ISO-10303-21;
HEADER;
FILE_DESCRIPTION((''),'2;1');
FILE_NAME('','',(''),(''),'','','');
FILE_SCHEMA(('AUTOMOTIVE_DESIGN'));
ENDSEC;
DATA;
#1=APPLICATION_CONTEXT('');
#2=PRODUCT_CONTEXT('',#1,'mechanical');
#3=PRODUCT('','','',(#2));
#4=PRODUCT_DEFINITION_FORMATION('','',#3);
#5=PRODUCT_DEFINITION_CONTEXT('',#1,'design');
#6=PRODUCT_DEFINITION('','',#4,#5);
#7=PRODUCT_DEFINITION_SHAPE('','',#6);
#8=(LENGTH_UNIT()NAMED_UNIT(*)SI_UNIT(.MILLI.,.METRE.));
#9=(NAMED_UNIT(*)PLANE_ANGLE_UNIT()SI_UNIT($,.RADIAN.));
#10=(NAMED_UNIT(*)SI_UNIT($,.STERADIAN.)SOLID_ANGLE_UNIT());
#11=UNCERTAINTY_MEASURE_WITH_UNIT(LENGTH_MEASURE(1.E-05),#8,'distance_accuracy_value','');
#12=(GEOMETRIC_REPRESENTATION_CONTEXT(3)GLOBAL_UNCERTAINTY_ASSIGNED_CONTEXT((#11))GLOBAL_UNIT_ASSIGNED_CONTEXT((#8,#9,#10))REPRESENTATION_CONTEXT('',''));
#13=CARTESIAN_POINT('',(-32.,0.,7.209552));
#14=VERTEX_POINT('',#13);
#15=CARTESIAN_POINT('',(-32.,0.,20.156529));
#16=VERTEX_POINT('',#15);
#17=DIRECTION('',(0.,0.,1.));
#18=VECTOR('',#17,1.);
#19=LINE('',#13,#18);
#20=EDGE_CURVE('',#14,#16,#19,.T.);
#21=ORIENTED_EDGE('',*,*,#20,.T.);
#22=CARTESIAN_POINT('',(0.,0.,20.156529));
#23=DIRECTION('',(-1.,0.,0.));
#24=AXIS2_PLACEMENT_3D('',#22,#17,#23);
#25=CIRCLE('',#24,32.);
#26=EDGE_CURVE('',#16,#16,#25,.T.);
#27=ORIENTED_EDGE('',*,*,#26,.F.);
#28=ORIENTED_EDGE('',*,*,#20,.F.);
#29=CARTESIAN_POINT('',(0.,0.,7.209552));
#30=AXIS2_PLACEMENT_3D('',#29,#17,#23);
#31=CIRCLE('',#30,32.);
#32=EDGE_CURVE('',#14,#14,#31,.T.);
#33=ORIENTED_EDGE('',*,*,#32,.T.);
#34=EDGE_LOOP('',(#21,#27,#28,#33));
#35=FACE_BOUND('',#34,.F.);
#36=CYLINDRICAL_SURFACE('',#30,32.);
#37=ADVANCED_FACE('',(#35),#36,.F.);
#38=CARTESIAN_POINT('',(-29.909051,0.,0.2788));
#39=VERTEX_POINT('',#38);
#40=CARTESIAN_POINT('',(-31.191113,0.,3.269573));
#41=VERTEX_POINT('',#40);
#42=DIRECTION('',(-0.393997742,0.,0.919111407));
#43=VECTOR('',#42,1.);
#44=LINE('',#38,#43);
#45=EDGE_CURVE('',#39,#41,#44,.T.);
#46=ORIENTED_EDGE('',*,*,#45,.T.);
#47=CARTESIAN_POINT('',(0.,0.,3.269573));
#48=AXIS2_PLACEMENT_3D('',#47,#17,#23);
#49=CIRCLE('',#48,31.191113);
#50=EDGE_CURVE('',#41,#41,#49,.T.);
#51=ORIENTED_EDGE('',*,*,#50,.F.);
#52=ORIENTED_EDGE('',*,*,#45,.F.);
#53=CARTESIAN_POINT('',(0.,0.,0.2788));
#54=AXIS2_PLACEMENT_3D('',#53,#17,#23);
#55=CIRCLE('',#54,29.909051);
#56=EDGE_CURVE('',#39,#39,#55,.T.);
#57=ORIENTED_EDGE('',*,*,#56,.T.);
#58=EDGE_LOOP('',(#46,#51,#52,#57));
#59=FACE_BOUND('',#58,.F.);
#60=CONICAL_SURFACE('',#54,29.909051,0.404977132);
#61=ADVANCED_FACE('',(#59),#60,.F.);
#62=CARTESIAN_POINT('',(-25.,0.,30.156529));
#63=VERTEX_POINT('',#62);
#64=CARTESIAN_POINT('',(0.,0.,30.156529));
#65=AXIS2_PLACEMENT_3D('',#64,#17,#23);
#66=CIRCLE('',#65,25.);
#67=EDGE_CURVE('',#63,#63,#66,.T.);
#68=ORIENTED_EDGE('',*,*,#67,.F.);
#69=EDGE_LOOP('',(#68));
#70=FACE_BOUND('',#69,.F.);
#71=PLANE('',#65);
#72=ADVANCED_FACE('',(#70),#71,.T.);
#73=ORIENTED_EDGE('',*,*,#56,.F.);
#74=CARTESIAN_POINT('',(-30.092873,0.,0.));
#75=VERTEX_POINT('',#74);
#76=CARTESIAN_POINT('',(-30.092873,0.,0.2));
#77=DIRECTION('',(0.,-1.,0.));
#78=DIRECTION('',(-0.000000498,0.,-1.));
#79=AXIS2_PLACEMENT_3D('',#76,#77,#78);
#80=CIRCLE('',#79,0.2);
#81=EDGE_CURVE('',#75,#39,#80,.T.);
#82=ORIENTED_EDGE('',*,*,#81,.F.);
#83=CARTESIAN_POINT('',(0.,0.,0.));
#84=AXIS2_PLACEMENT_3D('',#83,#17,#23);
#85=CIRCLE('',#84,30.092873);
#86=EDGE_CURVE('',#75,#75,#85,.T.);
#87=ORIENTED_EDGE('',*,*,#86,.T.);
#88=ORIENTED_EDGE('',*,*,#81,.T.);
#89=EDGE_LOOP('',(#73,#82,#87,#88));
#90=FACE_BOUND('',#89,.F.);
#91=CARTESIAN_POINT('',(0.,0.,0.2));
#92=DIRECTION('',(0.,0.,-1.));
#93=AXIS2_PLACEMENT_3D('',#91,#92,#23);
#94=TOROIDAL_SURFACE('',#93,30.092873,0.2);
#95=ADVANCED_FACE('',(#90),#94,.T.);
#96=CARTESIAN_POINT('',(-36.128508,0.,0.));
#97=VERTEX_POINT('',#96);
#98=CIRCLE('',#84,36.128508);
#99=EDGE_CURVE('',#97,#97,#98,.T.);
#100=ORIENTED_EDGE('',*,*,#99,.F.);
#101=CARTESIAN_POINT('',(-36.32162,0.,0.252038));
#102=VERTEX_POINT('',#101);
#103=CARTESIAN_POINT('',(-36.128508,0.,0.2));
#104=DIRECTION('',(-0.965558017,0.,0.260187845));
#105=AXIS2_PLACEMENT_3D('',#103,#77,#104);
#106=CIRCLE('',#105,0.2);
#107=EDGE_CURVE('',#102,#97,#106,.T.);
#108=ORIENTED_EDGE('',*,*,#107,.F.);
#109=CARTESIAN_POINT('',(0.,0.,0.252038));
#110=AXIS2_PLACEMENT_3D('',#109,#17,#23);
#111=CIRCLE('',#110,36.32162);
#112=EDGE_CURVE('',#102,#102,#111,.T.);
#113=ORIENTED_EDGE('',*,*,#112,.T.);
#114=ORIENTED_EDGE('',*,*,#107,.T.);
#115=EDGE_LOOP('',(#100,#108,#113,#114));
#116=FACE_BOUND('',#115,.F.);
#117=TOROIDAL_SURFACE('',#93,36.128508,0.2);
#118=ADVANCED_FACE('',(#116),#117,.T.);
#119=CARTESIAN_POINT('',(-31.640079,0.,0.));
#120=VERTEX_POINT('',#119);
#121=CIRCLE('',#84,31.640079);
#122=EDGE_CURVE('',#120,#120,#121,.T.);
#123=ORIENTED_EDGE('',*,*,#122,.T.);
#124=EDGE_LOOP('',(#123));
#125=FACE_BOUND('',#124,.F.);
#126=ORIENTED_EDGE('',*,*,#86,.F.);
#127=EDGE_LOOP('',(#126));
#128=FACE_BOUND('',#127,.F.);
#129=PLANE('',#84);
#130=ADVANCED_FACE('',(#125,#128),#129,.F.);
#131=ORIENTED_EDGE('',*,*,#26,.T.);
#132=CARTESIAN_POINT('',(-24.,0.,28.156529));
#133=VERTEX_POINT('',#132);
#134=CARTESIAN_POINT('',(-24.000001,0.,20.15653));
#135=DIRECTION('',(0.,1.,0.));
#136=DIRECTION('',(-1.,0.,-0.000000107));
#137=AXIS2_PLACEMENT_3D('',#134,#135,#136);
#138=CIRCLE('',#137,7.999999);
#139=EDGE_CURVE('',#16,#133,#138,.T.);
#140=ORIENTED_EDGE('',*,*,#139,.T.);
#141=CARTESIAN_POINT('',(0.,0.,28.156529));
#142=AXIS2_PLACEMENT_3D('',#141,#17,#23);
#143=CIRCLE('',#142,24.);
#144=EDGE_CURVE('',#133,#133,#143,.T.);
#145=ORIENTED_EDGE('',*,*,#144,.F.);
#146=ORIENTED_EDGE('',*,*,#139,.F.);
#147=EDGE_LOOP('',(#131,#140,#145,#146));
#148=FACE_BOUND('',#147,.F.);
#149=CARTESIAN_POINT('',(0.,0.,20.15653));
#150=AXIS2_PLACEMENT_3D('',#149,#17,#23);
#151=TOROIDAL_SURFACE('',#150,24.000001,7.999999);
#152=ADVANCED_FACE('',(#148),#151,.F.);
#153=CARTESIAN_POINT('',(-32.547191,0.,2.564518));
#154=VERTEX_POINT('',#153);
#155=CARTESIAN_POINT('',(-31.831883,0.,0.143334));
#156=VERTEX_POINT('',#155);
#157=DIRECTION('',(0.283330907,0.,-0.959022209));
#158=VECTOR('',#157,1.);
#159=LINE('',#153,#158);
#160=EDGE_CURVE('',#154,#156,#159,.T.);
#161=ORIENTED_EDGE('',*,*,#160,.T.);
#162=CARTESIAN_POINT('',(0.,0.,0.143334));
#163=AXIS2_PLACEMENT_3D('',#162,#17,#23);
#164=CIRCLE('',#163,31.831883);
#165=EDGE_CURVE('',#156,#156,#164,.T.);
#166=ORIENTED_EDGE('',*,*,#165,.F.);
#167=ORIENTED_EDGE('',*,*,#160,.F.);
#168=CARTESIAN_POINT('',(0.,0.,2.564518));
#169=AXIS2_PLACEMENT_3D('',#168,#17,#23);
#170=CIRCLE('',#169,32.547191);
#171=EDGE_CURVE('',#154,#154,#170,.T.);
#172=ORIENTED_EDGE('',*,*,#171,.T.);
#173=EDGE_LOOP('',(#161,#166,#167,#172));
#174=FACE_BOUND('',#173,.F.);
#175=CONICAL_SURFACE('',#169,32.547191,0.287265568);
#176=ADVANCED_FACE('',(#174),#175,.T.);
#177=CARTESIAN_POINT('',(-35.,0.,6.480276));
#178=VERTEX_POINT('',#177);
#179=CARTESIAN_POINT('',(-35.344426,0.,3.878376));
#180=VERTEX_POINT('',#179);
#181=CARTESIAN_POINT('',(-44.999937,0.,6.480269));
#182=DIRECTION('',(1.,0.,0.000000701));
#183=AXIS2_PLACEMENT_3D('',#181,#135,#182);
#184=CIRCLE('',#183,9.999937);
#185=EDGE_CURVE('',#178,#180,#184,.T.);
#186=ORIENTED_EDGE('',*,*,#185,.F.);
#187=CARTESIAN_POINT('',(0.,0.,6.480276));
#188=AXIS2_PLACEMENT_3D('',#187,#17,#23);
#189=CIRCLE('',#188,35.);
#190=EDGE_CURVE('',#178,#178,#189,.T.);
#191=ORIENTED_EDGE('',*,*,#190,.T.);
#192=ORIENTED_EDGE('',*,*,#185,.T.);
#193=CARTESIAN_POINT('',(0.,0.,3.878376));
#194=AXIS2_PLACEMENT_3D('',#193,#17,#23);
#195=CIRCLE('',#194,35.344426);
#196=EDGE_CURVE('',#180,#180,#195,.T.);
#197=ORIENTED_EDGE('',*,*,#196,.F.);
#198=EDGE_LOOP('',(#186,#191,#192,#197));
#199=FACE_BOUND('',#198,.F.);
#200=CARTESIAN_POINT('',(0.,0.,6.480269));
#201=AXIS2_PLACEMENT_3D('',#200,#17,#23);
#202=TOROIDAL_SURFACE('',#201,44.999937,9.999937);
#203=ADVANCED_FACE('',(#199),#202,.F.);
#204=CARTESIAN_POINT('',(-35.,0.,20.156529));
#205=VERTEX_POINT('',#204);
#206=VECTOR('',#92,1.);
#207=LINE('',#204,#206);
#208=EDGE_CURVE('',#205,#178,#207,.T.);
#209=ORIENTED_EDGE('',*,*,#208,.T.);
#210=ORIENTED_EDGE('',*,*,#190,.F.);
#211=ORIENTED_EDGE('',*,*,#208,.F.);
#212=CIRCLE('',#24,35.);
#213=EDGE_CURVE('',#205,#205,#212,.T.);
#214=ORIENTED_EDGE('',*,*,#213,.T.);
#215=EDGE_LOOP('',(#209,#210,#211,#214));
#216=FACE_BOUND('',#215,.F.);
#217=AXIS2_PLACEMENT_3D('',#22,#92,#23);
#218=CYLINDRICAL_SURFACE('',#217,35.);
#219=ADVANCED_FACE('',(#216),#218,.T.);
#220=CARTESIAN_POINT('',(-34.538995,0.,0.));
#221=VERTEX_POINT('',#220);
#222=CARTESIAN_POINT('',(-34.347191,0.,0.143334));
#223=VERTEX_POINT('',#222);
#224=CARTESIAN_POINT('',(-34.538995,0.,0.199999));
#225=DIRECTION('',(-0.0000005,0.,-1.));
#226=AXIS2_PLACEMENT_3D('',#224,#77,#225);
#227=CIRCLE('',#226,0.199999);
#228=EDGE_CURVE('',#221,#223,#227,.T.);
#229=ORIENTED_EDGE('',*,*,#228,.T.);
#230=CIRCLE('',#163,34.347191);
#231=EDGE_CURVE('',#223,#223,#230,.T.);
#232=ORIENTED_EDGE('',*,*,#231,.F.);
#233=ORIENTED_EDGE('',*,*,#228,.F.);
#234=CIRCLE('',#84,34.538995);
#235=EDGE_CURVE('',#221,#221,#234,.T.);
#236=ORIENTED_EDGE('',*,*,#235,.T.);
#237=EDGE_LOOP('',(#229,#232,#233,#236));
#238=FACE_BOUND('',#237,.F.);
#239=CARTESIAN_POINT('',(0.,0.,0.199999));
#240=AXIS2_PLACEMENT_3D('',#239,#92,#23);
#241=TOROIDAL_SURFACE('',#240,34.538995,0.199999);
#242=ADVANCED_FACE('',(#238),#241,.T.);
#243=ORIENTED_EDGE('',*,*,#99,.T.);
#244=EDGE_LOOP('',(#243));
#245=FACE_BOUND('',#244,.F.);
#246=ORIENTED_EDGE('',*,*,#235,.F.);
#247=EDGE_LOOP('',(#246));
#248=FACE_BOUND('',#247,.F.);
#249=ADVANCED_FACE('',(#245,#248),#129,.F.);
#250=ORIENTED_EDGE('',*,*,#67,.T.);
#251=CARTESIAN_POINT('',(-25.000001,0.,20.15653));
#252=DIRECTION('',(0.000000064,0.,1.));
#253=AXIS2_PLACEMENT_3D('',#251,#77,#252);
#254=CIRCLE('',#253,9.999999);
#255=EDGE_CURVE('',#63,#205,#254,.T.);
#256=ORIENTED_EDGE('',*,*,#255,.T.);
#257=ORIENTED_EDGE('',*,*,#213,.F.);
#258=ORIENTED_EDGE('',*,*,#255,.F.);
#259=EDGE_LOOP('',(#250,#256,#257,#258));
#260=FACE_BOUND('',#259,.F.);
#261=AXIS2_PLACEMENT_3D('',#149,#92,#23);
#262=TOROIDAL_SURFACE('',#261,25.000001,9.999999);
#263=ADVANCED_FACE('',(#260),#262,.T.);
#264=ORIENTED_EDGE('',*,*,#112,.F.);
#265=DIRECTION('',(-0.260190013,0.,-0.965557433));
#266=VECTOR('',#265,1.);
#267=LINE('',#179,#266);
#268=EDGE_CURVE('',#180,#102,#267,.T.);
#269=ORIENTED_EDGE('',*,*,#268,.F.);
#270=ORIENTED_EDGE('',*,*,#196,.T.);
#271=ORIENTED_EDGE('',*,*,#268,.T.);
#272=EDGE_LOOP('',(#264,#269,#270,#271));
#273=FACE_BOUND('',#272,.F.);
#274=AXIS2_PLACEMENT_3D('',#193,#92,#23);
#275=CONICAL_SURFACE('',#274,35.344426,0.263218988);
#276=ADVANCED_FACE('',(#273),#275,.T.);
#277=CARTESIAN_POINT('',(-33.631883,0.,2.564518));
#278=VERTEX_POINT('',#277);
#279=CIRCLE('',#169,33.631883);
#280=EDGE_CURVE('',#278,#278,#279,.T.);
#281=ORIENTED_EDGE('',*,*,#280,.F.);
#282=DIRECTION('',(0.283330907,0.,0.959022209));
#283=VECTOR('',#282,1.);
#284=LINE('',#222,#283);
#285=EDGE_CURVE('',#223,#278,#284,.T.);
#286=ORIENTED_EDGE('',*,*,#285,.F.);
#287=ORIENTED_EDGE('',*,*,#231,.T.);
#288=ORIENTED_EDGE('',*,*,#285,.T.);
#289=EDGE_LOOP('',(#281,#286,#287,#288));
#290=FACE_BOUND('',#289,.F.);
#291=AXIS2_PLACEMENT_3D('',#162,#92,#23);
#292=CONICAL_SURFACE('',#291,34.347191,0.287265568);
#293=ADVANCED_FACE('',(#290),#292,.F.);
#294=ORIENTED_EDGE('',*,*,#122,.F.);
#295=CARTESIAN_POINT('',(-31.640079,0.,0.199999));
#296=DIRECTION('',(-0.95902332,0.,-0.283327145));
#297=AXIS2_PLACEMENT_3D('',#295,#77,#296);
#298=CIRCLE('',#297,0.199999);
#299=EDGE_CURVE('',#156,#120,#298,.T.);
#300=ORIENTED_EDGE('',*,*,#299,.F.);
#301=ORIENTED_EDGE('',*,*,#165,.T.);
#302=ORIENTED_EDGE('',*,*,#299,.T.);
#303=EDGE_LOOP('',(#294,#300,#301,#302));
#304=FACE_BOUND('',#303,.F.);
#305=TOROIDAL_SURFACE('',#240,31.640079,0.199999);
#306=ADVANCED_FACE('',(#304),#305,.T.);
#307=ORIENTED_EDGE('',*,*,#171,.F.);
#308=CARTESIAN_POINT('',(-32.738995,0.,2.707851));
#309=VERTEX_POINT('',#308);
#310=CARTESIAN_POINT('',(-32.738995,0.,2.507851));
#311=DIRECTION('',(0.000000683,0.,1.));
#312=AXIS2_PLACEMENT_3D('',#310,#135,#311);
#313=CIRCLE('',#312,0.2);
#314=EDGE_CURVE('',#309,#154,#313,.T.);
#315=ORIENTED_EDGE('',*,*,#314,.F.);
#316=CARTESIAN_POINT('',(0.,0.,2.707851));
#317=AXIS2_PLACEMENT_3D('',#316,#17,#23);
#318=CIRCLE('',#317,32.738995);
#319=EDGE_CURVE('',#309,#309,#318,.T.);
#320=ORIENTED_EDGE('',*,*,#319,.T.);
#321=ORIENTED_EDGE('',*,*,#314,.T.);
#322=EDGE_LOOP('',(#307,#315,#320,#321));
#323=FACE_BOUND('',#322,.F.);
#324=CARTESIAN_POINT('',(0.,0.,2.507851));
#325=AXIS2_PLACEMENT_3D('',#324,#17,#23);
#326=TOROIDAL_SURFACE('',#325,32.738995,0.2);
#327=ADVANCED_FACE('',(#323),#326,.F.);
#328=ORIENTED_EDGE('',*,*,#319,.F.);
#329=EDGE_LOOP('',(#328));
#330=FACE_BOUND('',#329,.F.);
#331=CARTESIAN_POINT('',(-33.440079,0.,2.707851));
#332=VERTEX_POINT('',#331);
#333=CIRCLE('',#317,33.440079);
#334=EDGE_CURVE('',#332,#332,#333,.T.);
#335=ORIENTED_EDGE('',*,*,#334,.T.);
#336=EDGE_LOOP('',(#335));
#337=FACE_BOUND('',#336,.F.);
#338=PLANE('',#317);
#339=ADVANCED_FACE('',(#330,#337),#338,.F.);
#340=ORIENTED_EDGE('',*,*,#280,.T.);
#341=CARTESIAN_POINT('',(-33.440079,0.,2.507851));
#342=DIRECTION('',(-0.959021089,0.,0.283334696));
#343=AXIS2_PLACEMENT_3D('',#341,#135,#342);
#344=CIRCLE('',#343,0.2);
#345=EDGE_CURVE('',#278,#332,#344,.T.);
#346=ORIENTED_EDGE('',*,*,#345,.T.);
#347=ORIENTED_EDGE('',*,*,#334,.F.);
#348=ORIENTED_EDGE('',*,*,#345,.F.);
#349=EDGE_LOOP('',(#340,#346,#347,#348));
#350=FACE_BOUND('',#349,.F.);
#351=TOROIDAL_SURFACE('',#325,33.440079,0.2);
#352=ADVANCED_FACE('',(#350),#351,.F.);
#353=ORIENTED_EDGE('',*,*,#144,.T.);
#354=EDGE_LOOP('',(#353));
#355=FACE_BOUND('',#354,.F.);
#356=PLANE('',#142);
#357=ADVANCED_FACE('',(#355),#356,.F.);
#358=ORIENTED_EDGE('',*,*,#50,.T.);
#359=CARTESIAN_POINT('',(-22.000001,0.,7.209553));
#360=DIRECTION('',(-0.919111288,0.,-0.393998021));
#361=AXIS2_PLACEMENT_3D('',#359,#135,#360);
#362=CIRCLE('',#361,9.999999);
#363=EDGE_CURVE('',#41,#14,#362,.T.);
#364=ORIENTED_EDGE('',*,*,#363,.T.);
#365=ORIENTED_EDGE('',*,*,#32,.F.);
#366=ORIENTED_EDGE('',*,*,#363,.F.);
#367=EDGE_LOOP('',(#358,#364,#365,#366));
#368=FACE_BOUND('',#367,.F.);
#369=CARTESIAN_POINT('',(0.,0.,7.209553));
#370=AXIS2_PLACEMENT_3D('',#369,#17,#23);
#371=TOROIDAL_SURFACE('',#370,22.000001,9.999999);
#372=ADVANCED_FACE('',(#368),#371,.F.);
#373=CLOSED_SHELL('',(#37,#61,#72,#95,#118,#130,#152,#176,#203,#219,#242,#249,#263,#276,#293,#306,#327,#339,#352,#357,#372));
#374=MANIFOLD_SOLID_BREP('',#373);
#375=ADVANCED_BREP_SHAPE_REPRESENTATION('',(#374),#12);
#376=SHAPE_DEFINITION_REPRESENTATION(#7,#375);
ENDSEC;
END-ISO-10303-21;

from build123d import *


with BuildPart() as f2:
    # F0 (on Front) → F2 (revolve)
    with BuildSketch(Plane.XZ):
        with BuildLine():
            Line((-24, 28.156529), (0, 28.156529))
            Line((0, 28.156529), (0, 30.156529))
            Line((0, 30.156529), (-25, 30.156529))
            ThreePointArc((-25, 30.156529), (-32.071068, 27.227597), (-35, 20.156529))
            Line((-35, 20.156529), (-35, 6.480276))
            ThreePointArc((-35, 6.480276), (-35.08648, 5.167977), (-35.344426, 3.878376))
            Line((-35.344426, 3.878376), (-36.32162, 0.252038))
            ThreePointArc((-36.32162, 0.252038), (-36.287265, 0.07836), (-36.128508, 0))
            Line((-36.128508, 0), (-34.538995, 0))
            ThreePointArc((-34.538995, 0), (-34.419273, 0.039792), (-34.347191, 0.143334))
            Line((-34.347191, 0.143334), (-33.631883, 2.564518))
            ThreePointArc((-33.631883, 2.564518), (-33.559801, 2.668059), (-33.440079, 2.707851))
            Line((-33.440079, 2.707851), (-32.738995, 2.707851))
            ThreePointArc((-32.738995, 2.707851), (-32.619273, 2.668059), (-32.547191, 2.564518))
            Line((-32.547191, 2.564518), (-31.831883, 0.143334))
            ThreePointArc((-31.831883, 0.143334), (-31.759801, 0.039792), (-31.640079, 0))
            Line((-31.640079, 0), (-30.092873, 0))
            ThreePointArc((-30.092873, 0), (-29.9259, 0.089909), (-29.909051, 0.2788))
            Line((-29.909051, 0.2788), (-31.191113, 3.269573))
            ThreePointArc((-31.191113, 3.269573), (-31.795691, 5.198474), (-32, 7.209552))
            Line((-32, 7.209552), (-32, 20.156529))
            ThreePointArc((-32, 20.156529), (-29.656854, 25.813384), (-24, 28.156529))
        make_face()
    revolve(axis=Axis((0, 0, 18.10123), (0, 0, 1)))


solid = f2.part
